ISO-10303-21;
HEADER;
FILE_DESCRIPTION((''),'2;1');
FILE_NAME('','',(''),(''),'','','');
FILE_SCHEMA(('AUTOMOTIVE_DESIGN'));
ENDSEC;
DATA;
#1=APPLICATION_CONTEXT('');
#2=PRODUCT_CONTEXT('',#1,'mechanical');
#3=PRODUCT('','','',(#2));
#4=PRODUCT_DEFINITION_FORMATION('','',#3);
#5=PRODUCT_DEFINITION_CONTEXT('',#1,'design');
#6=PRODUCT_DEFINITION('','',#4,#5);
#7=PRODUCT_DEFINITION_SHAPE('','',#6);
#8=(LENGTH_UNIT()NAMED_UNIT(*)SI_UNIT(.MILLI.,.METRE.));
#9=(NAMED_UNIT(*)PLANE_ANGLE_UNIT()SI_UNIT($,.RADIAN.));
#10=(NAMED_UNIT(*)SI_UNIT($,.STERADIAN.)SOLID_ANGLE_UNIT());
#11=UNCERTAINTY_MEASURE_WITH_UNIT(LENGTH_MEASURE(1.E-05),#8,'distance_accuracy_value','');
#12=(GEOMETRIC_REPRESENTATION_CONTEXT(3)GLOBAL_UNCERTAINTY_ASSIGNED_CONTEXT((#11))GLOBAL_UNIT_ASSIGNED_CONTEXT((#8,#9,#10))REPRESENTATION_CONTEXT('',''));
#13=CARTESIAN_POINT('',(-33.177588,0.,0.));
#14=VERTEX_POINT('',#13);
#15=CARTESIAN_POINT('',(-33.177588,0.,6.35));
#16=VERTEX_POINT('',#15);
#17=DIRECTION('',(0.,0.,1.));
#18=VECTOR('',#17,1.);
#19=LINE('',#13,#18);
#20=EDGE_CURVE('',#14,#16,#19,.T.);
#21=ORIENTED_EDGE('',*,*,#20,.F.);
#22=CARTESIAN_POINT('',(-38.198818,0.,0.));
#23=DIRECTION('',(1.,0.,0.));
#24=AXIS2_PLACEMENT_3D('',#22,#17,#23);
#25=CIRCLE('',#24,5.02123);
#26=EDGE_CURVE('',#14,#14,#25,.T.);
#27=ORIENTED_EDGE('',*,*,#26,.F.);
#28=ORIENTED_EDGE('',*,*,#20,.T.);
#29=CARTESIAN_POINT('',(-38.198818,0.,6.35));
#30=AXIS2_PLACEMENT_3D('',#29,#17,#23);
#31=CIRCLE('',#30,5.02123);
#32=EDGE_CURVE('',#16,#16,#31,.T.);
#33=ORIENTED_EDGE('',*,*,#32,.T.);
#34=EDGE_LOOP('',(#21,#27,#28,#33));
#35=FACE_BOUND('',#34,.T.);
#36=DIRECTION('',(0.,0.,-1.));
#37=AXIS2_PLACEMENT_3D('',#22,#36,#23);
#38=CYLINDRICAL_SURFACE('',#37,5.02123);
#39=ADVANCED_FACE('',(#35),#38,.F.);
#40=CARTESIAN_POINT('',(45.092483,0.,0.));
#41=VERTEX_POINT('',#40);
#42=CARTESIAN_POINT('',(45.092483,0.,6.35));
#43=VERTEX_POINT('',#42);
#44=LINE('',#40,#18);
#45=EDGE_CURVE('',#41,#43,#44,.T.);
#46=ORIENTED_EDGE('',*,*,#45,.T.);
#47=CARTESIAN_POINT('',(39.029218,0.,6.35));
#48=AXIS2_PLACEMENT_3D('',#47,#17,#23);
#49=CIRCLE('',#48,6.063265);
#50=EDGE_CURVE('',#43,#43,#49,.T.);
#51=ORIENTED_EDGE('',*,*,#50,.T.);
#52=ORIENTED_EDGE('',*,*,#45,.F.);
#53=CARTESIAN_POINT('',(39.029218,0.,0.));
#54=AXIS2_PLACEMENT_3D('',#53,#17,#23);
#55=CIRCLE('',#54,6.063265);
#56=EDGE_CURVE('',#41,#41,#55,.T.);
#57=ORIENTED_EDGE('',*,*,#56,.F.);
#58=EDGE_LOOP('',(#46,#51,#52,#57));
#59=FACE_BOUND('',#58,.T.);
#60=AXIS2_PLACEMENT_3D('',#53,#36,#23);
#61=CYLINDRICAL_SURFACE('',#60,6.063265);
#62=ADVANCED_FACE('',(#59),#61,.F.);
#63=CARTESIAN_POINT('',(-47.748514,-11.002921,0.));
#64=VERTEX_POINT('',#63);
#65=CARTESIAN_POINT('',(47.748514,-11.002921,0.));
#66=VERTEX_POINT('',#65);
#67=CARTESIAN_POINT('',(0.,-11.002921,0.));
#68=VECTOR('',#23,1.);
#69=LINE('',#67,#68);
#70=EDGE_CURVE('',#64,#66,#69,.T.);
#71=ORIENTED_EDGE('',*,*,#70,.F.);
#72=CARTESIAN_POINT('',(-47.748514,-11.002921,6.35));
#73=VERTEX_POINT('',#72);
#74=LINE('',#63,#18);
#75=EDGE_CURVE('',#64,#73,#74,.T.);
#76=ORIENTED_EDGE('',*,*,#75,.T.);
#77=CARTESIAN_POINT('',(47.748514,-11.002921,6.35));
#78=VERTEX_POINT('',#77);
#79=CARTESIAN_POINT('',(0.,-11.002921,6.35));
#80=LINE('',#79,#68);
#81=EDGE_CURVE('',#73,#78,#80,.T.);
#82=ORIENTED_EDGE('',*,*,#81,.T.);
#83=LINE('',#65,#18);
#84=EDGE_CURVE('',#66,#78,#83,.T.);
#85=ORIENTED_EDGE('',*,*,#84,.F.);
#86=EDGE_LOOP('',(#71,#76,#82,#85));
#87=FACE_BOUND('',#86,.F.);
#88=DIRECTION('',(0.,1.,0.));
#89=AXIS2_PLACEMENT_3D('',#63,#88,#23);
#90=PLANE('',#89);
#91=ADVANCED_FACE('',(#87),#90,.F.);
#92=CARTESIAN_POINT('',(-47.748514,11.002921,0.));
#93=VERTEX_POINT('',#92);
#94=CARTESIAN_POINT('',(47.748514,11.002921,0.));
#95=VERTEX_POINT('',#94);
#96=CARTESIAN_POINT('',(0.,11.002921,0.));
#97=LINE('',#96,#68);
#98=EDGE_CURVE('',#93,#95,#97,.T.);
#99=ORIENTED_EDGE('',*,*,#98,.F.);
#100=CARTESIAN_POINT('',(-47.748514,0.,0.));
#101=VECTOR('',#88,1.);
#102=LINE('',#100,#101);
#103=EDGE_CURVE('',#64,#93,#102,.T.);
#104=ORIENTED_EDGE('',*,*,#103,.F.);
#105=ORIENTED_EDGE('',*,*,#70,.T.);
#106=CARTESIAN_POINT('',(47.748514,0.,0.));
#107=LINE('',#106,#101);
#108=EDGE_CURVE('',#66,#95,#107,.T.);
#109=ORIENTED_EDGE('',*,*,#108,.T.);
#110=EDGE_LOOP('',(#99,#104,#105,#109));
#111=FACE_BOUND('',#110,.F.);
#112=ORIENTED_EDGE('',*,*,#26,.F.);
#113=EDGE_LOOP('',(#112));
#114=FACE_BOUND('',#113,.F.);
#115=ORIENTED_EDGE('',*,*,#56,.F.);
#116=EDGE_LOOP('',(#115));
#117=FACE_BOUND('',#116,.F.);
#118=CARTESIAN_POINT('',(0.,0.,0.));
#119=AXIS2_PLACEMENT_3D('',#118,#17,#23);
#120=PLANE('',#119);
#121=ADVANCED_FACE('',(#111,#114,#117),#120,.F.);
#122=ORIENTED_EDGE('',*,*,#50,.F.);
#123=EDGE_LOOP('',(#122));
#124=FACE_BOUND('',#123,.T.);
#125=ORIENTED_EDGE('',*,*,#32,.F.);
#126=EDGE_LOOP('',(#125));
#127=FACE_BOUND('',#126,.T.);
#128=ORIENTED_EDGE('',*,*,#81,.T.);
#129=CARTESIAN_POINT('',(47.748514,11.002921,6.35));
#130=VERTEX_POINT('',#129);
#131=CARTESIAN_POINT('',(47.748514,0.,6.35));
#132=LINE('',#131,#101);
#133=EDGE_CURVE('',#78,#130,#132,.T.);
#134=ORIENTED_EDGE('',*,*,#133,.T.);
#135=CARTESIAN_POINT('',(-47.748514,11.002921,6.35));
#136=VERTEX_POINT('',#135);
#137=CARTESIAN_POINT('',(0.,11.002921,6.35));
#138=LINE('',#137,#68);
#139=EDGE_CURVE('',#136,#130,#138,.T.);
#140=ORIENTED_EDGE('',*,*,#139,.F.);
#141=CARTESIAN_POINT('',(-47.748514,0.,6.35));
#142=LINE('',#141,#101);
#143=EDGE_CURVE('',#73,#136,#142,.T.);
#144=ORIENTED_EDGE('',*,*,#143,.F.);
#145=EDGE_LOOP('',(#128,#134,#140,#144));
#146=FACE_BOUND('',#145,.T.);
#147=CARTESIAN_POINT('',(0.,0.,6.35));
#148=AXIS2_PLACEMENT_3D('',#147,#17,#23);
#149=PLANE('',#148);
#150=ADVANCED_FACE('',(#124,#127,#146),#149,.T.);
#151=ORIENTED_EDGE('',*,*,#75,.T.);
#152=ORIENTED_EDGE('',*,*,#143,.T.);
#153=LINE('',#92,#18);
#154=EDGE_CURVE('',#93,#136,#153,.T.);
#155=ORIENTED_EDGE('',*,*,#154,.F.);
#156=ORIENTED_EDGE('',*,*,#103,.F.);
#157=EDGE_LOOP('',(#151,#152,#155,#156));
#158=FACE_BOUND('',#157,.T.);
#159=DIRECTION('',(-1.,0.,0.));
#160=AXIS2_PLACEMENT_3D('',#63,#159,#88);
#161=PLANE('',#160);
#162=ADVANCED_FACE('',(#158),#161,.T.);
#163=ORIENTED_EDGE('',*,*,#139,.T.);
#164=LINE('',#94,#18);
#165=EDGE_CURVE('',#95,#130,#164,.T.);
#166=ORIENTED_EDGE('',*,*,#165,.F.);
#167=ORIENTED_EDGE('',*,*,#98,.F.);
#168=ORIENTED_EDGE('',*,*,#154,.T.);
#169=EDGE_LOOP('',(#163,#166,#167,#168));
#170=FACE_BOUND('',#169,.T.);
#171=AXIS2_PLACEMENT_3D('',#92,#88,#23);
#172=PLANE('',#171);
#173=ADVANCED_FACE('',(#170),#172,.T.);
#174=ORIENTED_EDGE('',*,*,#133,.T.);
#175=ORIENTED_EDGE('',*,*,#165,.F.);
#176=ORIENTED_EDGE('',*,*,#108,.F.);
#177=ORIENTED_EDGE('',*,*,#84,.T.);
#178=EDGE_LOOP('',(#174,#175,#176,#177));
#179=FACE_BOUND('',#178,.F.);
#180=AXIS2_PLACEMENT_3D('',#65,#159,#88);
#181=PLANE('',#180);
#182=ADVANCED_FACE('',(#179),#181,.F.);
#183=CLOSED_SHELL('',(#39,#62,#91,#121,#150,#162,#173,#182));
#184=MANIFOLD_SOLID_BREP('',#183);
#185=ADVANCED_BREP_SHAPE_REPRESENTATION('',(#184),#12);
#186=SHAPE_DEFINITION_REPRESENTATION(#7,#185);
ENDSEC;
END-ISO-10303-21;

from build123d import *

# Parameters (mm, degrees)
F0_W     = 95.497028
F0_H     = 22.005842
F0_R     = 5.02123
F0_R_2   = 6.063265
F1_DEPTH = 6.35


with BuildPart() as f1:
    # F0 (on Top) → F1 (new body)
    with BuildSketch(Plane.XY):
        Rectangle(F0_W, F0_H)
        with Locations((-38.198818, 0)):
            Circle(F0_R, mode=Mode.SUBTRACT)
        with Locations((39.029218, 0)):
            Circle(F0_R_2, mode=Mode.SUBTRACT)
    extrude(amount=F1_DEPTH)


solid = f1.part
